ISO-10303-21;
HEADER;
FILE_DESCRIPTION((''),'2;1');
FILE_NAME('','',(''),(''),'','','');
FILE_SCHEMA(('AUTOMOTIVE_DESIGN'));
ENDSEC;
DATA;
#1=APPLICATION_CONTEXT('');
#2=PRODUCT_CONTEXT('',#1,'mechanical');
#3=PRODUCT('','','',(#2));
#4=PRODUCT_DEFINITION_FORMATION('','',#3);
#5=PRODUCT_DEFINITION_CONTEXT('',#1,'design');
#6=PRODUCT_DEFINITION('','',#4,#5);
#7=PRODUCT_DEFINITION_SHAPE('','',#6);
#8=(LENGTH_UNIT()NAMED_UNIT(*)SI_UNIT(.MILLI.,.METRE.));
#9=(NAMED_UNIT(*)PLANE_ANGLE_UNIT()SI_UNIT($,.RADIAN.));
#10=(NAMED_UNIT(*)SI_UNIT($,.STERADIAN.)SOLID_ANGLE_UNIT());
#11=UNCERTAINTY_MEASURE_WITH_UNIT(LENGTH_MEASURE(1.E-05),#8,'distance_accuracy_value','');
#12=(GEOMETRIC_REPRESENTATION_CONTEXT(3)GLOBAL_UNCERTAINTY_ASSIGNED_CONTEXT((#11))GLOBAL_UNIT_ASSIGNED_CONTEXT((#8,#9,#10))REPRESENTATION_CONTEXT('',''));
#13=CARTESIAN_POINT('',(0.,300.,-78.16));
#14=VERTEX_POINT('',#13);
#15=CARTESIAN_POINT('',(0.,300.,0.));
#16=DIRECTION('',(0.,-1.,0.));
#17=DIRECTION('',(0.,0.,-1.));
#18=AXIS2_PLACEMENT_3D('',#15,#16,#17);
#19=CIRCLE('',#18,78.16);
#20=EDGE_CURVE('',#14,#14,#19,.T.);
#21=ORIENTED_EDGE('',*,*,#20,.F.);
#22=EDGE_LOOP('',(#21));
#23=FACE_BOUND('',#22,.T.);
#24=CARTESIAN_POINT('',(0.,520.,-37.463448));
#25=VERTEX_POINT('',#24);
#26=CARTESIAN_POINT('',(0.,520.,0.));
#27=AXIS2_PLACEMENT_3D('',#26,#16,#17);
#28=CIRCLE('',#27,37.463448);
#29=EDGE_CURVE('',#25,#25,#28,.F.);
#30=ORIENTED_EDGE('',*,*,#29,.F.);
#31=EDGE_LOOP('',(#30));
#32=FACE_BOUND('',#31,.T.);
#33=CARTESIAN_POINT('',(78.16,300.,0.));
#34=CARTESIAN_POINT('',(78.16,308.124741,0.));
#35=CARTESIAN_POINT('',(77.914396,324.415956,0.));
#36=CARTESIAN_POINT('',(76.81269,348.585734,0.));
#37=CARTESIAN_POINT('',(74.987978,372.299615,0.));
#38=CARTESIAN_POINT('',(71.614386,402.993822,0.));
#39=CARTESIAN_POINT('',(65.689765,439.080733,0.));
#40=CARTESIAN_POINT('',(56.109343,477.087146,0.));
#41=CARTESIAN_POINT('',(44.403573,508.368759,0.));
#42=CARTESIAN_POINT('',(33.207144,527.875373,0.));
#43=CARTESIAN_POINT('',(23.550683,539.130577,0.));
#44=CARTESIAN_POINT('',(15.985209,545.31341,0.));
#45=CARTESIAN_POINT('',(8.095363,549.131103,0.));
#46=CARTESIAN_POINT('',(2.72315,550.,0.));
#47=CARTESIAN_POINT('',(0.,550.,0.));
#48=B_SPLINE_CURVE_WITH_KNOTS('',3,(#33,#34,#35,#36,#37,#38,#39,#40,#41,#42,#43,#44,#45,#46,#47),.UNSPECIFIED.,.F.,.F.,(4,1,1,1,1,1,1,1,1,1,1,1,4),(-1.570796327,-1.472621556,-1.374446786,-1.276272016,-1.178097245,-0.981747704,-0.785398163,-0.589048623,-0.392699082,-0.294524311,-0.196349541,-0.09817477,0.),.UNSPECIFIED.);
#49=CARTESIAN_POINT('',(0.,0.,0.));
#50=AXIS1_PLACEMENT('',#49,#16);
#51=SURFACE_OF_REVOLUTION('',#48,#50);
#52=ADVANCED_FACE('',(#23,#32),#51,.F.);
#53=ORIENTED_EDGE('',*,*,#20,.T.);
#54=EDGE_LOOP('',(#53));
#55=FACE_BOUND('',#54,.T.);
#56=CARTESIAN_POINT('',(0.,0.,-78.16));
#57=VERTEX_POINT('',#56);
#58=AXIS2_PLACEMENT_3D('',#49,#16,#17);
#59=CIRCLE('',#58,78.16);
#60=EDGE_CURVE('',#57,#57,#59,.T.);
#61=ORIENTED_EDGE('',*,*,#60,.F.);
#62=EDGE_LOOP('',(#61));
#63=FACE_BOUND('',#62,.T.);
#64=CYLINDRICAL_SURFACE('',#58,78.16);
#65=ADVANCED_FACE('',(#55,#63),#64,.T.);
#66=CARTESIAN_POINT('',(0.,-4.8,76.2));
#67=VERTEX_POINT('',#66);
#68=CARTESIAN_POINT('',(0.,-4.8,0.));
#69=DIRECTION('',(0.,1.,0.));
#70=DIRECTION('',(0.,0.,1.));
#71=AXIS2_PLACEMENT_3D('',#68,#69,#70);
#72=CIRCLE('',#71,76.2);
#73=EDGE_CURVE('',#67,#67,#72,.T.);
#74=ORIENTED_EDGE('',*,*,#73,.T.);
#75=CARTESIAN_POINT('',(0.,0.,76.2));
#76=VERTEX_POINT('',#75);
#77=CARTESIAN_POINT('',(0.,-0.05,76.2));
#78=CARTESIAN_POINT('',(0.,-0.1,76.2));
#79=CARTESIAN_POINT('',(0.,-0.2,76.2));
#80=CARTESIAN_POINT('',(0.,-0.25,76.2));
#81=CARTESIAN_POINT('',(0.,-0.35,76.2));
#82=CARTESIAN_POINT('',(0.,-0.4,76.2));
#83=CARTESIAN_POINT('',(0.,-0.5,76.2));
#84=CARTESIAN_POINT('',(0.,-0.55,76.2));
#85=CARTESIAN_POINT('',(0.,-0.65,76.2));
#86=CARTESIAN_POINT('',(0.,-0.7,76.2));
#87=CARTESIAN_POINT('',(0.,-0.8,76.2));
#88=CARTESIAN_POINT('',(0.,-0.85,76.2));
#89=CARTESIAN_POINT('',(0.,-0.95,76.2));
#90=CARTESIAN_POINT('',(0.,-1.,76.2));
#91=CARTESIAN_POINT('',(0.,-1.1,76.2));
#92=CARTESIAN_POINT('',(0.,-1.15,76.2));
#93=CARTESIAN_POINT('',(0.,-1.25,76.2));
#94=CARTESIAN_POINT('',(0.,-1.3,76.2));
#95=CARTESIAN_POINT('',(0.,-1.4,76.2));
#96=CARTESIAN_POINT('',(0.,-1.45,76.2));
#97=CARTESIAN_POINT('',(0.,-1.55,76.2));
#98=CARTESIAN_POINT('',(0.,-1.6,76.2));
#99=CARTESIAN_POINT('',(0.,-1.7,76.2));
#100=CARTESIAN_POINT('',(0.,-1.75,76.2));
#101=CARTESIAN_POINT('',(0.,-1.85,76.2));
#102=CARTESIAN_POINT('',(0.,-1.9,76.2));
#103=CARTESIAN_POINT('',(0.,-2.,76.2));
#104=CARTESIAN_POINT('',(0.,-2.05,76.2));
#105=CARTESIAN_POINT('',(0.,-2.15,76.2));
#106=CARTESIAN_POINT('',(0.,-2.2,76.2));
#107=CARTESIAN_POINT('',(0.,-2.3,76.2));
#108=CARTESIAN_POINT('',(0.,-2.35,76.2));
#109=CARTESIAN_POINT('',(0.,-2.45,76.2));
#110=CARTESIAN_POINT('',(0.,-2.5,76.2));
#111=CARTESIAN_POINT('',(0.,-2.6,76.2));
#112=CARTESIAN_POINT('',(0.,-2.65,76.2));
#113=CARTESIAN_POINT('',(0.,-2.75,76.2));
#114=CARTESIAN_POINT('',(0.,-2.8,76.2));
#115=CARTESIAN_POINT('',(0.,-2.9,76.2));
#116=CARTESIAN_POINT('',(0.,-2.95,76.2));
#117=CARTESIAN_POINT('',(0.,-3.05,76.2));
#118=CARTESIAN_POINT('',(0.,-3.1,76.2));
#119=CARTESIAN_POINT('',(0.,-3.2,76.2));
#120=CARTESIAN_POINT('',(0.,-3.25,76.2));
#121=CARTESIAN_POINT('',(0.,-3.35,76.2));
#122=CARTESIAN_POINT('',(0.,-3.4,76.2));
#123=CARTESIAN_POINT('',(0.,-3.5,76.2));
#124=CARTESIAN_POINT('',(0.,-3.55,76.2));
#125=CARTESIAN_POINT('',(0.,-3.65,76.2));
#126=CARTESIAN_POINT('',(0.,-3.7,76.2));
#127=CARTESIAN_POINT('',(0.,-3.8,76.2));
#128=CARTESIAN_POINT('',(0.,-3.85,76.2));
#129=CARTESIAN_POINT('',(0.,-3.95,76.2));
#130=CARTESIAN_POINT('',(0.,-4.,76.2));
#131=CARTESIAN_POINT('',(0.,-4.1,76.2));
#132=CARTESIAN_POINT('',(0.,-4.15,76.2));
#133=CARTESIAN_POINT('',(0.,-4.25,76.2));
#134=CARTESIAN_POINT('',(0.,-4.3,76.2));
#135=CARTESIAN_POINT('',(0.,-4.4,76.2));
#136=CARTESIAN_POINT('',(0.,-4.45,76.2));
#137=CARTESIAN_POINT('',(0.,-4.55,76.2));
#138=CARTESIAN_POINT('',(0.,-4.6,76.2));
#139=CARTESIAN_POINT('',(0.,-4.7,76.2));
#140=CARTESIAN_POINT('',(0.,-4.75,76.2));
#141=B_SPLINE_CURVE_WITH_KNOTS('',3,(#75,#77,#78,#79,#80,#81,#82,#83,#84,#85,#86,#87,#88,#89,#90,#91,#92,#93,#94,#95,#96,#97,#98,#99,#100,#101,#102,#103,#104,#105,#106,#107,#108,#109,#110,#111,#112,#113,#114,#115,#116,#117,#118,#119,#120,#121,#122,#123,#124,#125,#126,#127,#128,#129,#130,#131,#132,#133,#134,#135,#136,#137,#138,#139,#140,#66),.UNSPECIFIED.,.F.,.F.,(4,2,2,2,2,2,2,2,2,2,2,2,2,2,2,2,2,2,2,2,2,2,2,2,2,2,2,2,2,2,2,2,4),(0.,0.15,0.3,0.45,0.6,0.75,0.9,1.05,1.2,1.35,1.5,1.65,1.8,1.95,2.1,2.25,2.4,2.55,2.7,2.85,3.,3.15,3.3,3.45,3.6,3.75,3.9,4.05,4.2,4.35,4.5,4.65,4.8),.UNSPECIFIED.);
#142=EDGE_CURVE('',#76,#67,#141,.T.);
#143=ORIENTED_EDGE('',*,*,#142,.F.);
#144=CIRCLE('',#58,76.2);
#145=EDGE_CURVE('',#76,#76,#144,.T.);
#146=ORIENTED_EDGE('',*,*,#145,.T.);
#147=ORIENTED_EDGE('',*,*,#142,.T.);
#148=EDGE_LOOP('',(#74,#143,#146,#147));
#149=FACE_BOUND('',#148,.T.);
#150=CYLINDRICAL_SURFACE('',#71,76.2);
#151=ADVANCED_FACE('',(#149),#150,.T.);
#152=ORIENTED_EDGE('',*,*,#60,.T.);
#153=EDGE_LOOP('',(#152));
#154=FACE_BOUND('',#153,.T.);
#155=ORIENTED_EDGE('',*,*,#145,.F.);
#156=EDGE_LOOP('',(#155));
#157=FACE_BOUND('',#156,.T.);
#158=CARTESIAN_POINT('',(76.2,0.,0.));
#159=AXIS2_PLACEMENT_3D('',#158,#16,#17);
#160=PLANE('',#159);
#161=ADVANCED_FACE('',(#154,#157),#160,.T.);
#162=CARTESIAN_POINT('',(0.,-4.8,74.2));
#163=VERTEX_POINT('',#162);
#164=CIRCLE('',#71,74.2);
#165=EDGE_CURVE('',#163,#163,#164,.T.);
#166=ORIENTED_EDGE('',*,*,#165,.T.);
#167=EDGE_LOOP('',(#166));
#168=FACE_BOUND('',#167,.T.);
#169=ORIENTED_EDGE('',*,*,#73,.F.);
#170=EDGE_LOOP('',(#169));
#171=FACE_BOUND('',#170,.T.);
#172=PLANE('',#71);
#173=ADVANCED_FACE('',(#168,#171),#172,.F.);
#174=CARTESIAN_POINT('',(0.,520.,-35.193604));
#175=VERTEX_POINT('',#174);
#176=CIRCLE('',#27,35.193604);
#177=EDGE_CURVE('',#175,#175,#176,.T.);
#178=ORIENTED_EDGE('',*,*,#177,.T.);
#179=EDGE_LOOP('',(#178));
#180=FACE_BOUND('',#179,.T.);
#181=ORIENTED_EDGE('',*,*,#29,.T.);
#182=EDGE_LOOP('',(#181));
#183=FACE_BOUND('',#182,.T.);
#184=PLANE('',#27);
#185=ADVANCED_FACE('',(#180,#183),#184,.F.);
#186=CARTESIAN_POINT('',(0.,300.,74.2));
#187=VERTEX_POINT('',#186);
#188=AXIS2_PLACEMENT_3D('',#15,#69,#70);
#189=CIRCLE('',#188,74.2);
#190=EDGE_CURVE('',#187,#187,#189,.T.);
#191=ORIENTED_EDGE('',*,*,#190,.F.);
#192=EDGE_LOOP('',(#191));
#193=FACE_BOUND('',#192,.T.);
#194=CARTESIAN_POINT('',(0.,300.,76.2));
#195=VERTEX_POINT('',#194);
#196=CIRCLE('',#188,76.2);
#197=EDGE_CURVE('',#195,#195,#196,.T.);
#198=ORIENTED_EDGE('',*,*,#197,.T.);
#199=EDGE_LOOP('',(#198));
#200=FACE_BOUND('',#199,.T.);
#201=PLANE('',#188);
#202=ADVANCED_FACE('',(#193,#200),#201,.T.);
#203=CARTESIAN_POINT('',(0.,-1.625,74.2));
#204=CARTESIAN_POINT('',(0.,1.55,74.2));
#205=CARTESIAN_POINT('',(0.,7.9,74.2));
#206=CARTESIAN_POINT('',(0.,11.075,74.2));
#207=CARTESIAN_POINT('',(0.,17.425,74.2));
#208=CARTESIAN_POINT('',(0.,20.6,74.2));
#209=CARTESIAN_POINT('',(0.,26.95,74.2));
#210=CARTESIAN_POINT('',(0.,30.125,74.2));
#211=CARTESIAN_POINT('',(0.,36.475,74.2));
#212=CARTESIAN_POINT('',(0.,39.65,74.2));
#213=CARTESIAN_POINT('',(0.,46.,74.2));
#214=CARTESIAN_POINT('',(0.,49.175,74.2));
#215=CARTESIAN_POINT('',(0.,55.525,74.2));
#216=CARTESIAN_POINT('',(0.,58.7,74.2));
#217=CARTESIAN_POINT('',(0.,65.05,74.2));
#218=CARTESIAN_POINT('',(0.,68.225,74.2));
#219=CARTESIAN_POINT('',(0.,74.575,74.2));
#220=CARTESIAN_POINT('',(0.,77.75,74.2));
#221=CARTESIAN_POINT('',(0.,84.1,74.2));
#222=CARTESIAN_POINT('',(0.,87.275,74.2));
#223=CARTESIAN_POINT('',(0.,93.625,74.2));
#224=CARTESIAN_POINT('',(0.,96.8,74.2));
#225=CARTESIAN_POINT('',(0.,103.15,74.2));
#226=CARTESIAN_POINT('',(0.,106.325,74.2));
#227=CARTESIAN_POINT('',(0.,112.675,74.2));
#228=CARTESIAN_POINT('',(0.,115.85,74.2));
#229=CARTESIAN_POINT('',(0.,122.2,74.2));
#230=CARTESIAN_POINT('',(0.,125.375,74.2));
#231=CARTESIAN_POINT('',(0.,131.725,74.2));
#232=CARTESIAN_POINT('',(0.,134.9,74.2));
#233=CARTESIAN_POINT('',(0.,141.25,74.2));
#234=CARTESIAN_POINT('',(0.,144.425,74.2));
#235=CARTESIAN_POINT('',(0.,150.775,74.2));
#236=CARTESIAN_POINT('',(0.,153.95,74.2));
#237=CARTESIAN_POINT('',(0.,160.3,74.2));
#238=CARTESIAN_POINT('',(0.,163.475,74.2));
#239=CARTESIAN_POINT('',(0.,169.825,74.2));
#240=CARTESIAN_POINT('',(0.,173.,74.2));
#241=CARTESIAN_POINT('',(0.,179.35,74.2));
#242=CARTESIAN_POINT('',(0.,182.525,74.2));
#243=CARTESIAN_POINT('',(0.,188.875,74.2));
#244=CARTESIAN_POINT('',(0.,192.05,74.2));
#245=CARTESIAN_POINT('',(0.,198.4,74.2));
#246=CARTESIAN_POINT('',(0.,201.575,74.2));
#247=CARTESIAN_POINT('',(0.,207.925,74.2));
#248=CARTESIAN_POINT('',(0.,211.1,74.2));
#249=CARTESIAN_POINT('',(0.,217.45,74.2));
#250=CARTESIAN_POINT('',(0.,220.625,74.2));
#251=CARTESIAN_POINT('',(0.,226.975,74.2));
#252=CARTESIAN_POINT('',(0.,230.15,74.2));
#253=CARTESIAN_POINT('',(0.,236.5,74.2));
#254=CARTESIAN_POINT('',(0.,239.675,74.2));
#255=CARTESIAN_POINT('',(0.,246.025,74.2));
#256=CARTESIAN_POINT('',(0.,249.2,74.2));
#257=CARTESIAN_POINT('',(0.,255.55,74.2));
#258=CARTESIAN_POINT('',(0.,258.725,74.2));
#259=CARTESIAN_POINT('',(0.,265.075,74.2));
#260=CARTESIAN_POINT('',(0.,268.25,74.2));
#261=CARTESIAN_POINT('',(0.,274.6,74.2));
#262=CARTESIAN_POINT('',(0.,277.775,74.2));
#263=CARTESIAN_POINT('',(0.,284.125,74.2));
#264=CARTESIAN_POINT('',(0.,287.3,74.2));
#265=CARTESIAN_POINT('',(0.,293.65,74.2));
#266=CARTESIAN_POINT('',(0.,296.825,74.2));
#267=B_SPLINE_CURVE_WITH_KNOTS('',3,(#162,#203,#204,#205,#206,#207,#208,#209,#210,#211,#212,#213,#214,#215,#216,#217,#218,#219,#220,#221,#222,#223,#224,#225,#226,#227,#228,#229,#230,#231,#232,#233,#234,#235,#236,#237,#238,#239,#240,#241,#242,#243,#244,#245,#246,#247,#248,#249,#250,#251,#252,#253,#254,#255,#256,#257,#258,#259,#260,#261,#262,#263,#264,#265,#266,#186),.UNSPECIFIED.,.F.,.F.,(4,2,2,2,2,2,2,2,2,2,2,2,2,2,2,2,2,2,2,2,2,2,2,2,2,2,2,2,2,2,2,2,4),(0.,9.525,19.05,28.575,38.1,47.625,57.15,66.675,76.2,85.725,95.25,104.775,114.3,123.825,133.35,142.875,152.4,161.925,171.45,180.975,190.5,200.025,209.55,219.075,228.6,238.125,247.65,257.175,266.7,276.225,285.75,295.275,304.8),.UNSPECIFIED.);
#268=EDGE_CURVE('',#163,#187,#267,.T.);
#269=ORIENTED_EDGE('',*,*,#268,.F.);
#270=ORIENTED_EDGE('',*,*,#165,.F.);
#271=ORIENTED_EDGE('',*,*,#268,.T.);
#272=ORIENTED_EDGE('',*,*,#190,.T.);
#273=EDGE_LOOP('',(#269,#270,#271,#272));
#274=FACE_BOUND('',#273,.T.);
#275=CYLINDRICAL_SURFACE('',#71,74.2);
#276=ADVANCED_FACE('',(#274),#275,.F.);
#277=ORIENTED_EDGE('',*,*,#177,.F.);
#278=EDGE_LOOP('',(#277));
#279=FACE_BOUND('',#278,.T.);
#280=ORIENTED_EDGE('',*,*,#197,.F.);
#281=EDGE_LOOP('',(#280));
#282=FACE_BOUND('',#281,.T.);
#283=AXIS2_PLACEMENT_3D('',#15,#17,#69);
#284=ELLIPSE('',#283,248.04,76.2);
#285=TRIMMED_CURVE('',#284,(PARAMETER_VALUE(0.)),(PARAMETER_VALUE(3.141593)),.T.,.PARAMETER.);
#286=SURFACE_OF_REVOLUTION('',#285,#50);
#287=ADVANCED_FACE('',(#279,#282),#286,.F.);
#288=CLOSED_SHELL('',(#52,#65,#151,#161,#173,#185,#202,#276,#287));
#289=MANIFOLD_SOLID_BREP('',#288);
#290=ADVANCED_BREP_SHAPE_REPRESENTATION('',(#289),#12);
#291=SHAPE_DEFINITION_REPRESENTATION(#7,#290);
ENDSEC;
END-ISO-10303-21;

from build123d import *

# Parameters (mm, degrees)
BOSS_EXTRUDE1_START = -304.8
SKETCH2_R           = 76.2
SKETCH2_R_2         = 74.2
BOSS_EXTRUDE1_DEPTH = 304.8
SKETCH3_R           = 102.13398709
CUT_EXTRUDE1_DEPTH  = 30


with BuildPart() as part:
    # Sketch1 → Revolve1 (revolve)
    with BuildSketch(Plane.XY, mode=Mode.PRIVATE) as revolve1_sk:
        with BuildLine():
            Line((76.2, 300), (76.2, 0))
            Line((76.2, 0), (78.16, 0))
            Line((78.16, 0), (78.16, 300))
            add(Edge.make_bspline(
                [(0, 550), (2.723149784, 550), (8.095363208, 549.131102803), (15.985209364, 545.313409978), (23.550682528, 539.130576689), (33.207143777, 527.875372886), (44.403572502, 508.368758892), (56.109342912, 477.087146412), (65.689764926, 439.080732548), (71.61438571, 402.993821619), (74.98797824, 372.299614595), (76.812690029, 348.58573428), (77.914396428, 324.415956203), (78.16, 308.124741441), (78.16, 300)],
                knots=[-1.570796327, -1.570796327, -1.570796327, -1.570796327, -1.472621556, -1.374446786, -1.276272016, -1.178097245, -0.981747704, -0.785398163, -0.589048623, -0.392699082, -0.294524311, -0.196349541, -0.09817477, 0, 0, 0, 0], degree=3))
            Line((0, 550), (0, 548.04))
            add(Edge.make_bspline(
                [(76.2, 300), (76.2, 548.04), (0, 548.04)],
                knots=[1.570796327, 1.570796327, 1.570796327, 3.141592654, 3.141592654, 3.141592654], degree=2, weights=[1, 0.707106781, 1]))
        make_face()
    revolve(revolve1_sk.sketch.rotate(Axis((0, 0, 0), (0, 1, 0)), 90), axis=Axis((0, 0, 0), (0, 1, 0)))

    # Sketch2 → Boss-Extrude1 (add)
    with BuildSketch(Plane(origin=(0, 300, 0), x_dir=(1, 0, 0), z_dir=(0, 1, 0)).offset(BOSS_EXTRUDE1_START)):
        with Locations(Location((0, 0, 0), (0, 0, 270))):
            Circle(SKETCH2_R)
        with Locations(Location((0, 0, 0), (0, 0, 270))):
            Circle(SKETCH2_R_2, mode=Mode.SUBTRACT)
    extrude(amount=BOSS_EXTRUDE1_DEPTH)

    # Sketch3 → Cut-Extrude1 (cut)
    with BuildSketch(Plane(origin=(0, 550, 0), x_dir=(-1, 0, 0), z_dir=(0, -1, 0))):
        Circle(SKETCH3_R)
    extrude(amount=CUT_EXTRUDE1_DEPTH, mode=Mode.SUBTRACT)


solid = part.part
